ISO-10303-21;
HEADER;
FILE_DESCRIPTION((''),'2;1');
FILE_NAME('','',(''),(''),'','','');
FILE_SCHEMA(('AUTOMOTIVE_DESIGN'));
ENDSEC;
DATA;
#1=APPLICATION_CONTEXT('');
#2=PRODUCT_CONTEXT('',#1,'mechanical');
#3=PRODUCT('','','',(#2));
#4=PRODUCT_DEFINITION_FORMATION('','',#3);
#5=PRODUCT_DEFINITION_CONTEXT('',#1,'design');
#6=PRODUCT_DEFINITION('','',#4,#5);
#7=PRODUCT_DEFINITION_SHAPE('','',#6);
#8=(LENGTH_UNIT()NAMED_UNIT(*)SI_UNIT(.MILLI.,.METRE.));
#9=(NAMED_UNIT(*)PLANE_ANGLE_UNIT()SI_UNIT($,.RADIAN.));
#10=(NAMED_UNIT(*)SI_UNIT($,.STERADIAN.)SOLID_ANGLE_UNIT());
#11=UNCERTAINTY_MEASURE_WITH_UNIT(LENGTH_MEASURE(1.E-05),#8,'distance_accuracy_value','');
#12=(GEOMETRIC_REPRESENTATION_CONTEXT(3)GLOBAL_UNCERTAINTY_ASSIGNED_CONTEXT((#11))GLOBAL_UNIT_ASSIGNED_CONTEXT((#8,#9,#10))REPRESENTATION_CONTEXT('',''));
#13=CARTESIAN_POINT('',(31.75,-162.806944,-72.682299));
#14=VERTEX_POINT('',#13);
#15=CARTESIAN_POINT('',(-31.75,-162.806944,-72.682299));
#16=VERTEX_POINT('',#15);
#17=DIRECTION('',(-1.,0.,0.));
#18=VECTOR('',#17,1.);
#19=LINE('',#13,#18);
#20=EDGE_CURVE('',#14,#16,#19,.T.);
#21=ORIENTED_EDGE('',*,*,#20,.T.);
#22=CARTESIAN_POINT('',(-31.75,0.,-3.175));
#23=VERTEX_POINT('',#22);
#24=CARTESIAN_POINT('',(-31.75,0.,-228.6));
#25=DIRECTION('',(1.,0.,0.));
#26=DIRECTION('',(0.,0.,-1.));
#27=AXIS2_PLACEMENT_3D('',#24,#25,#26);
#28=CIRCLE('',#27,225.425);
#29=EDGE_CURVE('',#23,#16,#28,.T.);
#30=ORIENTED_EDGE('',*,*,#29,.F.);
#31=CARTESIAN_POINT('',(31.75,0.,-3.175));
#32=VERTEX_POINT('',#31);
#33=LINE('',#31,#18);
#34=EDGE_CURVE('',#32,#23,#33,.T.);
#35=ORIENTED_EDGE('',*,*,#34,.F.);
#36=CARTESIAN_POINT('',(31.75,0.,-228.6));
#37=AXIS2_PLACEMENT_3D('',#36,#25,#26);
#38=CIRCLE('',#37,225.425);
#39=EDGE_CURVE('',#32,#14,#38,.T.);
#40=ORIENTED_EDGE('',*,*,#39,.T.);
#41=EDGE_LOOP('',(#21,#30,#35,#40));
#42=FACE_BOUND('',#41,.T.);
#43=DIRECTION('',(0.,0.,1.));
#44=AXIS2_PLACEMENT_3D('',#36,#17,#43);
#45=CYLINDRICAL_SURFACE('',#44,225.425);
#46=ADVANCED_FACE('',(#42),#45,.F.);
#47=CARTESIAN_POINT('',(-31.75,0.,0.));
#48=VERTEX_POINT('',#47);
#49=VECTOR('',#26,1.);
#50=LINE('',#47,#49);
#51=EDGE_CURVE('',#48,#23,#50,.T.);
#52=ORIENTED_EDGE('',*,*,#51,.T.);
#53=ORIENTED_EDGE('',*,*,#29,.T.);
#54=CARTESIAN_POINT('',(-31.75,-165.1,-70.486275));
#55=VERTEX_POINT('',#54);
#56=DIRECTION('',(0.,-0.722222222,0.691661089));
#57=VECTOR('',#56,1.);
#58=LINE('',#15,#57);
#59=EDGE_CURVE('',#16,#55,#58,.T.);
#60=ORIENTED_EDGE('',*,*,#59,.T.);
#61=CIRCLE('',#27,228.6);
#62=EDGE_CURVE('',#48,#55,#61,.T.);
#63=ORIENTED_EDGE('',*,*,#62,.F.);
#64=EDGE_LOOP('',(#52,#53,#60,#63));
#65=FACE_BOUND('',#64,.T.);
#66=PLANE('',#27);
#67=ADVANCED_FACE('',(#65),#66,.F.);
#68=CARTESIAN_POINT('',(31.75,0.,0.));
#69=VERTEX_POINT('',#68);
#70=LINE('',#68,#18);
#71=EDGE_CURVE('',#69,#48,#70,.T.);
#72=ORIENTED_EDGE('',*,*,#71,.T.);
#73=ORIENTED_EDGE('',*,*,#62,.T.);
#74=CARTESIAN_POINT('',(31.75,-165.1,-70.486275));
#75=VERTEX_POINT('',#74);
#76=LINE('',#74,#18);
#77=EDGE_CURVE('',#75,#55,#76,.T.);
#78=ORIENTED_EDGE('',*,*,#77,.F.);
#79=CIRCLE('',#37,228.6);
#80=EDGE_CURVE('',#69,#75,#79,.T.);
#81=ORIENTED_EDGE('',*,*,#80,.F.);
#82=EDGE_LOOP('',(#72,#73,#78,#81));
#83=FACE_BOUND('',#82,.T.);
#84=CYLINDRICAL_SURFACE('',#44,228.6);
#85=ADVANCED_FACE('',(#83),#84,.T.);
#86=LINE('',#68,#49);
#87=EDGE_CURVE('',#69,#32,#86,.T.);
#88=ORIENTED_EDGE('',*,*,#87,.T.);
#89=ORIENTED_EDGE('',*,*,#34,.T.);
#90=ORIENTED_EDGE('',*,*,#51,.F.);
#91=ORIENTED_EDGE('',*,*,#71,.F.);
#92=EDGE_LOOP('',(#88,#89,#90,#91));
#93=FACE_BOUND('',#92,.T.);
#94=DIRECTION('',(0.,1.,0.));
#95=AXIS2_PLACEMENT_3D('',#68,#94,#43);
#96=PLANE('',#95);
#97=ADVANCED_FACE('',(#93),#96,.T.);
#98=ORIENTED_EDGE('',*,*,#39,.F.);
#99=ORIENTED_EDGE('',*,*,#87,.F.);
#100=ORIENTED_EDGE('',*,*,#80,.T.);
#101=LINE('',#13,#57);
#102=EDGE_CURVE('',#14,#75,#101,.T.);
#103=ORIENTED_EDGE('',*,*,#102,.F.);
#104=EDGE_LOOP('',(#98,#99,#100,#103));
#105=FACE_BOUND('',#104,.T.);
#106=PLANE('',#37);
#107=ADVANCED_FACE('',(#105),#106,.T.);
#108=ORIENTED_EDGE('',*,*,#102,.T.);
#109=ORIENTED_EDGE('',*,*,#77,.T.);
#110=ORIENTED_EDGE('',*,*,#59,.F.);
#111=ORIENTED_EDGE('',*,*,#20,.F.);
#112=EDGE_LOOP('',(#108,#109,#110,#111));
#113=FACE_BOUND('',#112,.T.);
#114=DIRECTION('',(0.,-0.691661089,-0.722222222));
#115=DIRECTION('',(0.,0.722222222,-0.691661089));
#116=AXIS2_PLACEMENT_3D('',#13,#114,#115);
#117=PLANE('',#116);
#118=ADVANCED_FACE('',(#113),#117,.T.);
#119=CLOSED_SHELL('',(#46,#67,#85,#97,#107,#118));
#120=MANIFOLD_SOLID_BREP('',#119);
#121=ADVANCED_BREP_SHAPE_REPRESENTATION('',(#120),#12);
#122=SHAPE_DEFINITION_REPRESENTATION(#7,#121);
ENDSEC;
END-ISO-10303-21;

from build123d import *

# Parameters (mm, degrees)
EXTRUDE_THIN1_DEPTH = 31.75


with BuildPart() as part:
    # Sketch1 → Extrude-Thin1 (new, symmetric)
    with BuildSketch(Plane(origin=(0, 0, 0), x_dir=(0, 0, -1), z_dir=(1, 0, 0))):
        with BuildLine():
            ThreePointArc((0, 0), (18.358760574, -89.758460574), (70.486275106, -165.1))
            Line((70.486275106, -165.1), (72.682299062, -162.806944444))
            ThreePointArc((72.682299062, -162.806944444), (21.278777788, -88.511815288), (3.175, 0))
            Line((3.175, 0), (0, 0))
        make_face()
    extrude(amount=EXTRUDE_THIN1_DEPTH, both=True)


solid = part.part
